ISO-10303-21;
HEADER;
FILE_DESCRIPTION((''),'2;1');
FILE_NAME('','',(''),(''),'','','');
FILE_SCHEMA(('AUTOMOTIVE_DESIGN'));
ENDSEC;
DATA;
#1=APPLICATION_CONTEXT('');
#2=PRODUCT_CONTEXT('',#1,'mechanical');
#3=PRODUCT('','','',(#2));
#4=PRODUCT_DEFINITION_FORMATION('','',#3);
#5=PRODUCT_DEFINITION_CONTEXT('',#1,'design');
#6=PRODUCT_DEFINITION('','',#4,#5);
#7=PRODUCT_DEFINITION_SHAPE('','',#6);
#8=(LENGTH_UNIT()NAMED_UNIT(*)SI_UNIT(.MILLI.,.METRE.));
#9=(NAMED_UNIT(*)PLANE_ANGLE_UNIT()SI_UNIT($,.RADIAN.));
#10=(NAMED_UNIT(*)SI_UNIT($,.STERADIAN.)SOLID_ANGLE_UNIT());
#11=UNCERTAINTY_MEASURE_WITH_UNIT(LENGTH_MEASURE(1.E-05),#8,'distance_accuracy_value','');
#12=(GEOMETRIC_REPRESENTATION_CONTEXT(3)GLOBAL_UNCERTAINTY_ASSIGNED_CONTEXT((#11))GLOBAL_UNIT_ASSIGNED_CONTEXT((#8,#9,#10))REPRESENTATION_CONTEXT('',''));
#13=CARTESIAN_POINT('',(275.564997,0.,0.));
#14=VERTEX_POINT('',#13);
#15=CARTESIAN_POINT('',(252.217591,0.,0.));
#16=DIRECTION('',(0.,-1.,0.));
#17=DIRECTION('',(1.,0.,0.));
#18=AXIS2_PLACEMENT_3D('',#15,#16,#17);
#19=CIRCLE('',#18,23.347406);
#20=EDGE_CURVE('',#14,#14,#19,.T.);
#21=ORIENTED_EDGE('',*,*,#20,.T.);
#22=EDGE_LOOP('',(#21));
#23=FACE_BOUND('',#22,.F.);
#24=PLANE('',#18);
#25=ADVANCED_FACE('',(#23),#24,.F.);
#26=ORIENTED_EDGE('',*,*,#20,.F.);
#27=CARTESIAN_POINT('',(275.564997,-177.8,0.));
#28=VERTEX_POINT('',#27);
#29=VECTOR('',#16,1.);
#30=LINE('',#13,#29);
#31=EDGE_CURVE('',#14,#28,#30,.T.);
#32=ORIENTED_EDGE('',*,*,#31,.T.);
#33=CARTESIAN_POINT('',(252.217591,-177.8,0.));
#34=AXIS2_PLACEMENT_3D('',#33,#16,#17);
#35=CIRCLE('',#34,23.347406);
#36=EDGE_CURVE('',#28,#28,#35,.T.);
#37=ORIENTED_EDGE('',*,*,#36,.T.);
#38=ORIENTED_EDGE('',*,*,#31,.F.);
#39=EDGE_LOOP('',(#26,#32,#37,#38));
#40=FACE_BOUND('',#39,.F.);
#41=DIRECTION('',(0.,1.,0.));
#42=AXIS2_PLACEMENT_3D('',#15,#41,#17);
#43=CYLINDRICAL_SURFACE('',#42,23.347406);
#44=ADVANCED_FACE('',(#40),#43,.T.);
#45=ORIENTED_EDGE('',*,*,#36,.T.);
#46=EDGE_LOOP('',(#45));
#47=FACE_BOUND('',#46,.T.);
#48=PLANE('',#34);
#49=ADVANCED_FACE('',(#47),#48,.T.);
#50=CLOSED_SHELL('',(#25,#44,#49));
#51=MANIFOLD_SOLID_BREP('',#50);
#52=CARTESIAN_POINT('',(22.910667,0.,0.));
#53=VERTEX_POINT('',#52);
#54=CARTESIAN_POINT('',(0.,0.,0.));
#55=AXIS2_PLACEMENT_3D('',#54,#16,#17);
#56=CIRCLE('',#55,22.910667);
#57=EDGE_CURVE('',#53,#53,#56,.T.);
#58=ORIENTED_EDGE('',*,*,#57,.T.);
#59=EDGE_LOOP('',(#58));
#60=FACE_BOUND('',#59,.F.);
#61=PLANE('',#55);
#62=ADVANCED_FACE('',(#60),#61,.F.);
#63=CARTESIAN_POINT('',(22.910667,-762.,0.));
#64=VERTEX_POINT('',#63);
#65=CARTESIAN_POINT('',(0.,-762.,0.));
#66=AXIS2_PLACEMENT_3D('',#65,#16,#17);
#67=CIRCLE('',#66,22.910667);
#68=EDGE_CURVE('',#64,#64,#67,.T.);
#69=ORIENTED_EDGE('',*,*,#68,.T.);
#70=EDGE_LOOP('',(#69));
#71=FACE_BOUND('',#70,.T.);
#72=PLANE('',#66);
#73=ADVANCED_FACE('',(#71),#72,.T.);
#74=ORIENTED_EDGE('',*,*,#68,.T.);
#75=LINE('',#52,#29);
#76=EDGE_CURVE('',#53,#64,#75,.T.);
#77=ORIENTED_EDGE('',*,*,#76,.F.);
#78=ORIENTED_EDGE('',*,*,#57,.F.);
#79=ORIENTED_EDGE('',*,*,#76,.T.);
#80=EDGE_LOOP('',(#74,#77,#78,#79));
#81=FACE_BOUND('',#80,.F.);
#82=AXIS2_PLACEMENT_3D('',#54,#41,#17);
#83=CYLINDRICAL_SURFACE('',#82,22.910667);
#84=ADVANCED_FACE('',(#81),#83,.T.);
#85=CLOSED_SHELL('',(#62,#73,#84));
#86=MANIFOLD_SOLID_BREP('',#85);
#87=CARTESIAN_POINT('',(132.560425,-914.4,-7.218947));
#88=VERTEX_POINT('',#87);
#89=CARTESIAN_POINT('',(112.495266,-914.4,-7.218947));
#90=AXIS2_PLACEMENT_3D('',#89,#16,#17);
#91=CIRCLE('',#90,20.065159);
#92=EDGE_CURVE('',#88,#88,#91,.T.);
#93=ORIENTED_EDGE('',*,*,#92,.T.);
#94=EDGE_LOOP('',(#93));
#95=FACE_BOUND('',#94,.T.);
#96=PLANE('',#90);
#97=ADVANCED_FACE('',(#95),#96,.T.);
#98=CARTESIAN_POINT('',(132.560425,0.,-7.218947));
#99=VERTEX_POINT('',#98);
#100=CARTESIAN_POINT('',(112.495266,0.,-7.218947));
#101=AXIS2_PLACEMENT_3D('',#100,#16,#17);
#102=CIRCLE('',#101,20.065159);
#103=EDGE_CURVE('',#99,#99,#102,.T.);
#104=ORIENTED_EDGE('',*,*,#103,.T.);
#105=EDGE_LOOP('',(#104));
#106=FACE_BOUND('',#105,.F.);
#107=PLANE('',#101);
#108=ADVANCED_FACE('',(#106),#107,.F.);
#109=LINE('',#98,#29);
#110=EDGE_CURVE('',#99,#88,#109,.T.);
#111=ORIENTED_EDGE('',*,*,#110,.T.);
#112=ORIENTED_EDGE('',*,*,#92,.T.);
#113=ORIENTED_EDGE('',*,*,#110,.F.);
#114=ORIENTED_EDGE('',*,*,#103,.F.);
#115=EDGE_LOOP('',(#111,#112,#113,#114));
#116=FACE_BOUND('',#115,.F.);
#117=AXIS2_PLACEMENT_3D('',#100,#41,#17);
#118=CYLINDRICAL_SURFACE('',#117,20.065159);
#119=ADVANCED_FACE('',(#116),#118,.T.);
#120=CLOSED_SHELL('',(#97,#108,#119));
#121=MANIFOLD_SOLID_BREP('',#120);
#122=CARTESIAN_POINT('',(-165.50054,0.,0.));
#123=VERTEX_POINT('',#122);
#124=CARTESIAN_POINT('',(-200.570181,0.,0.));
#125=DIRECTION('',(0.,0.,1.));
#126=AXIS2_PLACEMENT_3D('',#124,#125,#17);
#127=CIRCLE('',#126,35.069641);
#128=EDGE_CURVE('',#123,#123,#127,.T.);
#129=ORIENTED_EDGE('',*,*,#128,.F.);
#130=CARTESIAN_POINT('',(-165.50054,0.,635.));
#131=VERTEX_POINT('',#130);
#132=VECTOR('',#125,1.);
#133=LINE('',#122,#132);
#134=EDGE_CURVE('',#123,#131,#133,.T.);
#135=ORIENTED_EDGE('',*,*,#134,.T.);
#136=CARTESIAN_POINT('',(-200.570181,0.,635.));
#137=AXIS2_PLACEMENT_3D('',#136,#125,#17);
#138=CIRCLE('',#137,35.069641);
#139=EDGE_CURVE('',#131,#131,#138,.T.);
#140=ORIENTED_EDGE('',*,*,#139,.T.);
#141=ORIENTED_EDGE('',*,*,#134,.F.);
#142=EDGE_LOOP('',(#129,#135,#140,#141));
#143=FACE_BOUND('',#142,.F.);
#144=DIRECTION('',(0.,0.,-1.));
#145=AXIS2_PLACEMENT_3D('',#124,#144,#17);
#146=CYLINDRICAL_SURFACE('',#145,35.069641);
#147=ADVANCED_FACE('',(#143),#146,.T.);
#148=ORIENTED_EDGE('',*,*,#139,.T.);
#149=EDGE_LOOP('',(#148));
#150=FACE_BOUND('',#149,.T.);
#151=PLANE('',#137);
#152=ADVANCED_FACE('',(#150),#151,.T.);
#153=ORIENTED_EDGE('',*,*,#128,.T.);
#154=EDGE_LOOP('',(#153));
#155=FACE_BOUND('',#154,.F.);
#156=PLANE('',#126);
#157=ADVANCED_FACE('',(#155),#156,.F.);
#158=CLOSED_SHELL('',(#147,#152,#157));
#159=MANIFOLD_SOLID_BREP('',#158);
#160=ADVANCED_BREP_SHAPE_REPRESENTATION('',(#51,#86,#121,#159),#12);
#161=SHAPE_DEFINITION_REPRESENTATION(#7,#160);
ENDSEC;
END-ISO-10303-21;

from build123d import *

# Parameters (mm, degrees)
F0_R     = 22.910667
F1_DEPTH = 762
F2_R     = 20.065159
F3_DEPTH = 914.4
F4_R     = 35.069641
F5_DEPTH = 635
F6_R     = 23.347406
F7_DEPTH = 177.8


with BuildPart() as f1:
    # F0 (on Front) → F1 (new body)
    with BuildSketch(Plane.XZ):
        Circle(F0_R)
    extrude(amount=F1_DEPTH)


with BuildPart() as f3:
    # F2 (on Front) → F3 (new body)
    with BuildSketch(Plane.XZ):
        with Locations((112.495266, -7.218947)):
            Circle(F2_R)
    extrude(amount=F3_DEPTH)


with BuildPart() as f5:
    # F4 (on Top) → F5 (new body)
    with BuildSketch(Plane.XY):
        with Locations((-200.570181, 0)):
            Circle(F4_R)
    extrude(amount=F5_DEPTH)


with BuildPart() as f7:
    # F6 (on Front) → F7 (new body)
    with BuildSketch(Plane.XZ):
        with Locations((252.217591, 0)):
            Circle(F6_R)
    extrude(amount=F7_DEPTH)


solid = Compound([f1.part, f3.part, f5.part, f7.part])
